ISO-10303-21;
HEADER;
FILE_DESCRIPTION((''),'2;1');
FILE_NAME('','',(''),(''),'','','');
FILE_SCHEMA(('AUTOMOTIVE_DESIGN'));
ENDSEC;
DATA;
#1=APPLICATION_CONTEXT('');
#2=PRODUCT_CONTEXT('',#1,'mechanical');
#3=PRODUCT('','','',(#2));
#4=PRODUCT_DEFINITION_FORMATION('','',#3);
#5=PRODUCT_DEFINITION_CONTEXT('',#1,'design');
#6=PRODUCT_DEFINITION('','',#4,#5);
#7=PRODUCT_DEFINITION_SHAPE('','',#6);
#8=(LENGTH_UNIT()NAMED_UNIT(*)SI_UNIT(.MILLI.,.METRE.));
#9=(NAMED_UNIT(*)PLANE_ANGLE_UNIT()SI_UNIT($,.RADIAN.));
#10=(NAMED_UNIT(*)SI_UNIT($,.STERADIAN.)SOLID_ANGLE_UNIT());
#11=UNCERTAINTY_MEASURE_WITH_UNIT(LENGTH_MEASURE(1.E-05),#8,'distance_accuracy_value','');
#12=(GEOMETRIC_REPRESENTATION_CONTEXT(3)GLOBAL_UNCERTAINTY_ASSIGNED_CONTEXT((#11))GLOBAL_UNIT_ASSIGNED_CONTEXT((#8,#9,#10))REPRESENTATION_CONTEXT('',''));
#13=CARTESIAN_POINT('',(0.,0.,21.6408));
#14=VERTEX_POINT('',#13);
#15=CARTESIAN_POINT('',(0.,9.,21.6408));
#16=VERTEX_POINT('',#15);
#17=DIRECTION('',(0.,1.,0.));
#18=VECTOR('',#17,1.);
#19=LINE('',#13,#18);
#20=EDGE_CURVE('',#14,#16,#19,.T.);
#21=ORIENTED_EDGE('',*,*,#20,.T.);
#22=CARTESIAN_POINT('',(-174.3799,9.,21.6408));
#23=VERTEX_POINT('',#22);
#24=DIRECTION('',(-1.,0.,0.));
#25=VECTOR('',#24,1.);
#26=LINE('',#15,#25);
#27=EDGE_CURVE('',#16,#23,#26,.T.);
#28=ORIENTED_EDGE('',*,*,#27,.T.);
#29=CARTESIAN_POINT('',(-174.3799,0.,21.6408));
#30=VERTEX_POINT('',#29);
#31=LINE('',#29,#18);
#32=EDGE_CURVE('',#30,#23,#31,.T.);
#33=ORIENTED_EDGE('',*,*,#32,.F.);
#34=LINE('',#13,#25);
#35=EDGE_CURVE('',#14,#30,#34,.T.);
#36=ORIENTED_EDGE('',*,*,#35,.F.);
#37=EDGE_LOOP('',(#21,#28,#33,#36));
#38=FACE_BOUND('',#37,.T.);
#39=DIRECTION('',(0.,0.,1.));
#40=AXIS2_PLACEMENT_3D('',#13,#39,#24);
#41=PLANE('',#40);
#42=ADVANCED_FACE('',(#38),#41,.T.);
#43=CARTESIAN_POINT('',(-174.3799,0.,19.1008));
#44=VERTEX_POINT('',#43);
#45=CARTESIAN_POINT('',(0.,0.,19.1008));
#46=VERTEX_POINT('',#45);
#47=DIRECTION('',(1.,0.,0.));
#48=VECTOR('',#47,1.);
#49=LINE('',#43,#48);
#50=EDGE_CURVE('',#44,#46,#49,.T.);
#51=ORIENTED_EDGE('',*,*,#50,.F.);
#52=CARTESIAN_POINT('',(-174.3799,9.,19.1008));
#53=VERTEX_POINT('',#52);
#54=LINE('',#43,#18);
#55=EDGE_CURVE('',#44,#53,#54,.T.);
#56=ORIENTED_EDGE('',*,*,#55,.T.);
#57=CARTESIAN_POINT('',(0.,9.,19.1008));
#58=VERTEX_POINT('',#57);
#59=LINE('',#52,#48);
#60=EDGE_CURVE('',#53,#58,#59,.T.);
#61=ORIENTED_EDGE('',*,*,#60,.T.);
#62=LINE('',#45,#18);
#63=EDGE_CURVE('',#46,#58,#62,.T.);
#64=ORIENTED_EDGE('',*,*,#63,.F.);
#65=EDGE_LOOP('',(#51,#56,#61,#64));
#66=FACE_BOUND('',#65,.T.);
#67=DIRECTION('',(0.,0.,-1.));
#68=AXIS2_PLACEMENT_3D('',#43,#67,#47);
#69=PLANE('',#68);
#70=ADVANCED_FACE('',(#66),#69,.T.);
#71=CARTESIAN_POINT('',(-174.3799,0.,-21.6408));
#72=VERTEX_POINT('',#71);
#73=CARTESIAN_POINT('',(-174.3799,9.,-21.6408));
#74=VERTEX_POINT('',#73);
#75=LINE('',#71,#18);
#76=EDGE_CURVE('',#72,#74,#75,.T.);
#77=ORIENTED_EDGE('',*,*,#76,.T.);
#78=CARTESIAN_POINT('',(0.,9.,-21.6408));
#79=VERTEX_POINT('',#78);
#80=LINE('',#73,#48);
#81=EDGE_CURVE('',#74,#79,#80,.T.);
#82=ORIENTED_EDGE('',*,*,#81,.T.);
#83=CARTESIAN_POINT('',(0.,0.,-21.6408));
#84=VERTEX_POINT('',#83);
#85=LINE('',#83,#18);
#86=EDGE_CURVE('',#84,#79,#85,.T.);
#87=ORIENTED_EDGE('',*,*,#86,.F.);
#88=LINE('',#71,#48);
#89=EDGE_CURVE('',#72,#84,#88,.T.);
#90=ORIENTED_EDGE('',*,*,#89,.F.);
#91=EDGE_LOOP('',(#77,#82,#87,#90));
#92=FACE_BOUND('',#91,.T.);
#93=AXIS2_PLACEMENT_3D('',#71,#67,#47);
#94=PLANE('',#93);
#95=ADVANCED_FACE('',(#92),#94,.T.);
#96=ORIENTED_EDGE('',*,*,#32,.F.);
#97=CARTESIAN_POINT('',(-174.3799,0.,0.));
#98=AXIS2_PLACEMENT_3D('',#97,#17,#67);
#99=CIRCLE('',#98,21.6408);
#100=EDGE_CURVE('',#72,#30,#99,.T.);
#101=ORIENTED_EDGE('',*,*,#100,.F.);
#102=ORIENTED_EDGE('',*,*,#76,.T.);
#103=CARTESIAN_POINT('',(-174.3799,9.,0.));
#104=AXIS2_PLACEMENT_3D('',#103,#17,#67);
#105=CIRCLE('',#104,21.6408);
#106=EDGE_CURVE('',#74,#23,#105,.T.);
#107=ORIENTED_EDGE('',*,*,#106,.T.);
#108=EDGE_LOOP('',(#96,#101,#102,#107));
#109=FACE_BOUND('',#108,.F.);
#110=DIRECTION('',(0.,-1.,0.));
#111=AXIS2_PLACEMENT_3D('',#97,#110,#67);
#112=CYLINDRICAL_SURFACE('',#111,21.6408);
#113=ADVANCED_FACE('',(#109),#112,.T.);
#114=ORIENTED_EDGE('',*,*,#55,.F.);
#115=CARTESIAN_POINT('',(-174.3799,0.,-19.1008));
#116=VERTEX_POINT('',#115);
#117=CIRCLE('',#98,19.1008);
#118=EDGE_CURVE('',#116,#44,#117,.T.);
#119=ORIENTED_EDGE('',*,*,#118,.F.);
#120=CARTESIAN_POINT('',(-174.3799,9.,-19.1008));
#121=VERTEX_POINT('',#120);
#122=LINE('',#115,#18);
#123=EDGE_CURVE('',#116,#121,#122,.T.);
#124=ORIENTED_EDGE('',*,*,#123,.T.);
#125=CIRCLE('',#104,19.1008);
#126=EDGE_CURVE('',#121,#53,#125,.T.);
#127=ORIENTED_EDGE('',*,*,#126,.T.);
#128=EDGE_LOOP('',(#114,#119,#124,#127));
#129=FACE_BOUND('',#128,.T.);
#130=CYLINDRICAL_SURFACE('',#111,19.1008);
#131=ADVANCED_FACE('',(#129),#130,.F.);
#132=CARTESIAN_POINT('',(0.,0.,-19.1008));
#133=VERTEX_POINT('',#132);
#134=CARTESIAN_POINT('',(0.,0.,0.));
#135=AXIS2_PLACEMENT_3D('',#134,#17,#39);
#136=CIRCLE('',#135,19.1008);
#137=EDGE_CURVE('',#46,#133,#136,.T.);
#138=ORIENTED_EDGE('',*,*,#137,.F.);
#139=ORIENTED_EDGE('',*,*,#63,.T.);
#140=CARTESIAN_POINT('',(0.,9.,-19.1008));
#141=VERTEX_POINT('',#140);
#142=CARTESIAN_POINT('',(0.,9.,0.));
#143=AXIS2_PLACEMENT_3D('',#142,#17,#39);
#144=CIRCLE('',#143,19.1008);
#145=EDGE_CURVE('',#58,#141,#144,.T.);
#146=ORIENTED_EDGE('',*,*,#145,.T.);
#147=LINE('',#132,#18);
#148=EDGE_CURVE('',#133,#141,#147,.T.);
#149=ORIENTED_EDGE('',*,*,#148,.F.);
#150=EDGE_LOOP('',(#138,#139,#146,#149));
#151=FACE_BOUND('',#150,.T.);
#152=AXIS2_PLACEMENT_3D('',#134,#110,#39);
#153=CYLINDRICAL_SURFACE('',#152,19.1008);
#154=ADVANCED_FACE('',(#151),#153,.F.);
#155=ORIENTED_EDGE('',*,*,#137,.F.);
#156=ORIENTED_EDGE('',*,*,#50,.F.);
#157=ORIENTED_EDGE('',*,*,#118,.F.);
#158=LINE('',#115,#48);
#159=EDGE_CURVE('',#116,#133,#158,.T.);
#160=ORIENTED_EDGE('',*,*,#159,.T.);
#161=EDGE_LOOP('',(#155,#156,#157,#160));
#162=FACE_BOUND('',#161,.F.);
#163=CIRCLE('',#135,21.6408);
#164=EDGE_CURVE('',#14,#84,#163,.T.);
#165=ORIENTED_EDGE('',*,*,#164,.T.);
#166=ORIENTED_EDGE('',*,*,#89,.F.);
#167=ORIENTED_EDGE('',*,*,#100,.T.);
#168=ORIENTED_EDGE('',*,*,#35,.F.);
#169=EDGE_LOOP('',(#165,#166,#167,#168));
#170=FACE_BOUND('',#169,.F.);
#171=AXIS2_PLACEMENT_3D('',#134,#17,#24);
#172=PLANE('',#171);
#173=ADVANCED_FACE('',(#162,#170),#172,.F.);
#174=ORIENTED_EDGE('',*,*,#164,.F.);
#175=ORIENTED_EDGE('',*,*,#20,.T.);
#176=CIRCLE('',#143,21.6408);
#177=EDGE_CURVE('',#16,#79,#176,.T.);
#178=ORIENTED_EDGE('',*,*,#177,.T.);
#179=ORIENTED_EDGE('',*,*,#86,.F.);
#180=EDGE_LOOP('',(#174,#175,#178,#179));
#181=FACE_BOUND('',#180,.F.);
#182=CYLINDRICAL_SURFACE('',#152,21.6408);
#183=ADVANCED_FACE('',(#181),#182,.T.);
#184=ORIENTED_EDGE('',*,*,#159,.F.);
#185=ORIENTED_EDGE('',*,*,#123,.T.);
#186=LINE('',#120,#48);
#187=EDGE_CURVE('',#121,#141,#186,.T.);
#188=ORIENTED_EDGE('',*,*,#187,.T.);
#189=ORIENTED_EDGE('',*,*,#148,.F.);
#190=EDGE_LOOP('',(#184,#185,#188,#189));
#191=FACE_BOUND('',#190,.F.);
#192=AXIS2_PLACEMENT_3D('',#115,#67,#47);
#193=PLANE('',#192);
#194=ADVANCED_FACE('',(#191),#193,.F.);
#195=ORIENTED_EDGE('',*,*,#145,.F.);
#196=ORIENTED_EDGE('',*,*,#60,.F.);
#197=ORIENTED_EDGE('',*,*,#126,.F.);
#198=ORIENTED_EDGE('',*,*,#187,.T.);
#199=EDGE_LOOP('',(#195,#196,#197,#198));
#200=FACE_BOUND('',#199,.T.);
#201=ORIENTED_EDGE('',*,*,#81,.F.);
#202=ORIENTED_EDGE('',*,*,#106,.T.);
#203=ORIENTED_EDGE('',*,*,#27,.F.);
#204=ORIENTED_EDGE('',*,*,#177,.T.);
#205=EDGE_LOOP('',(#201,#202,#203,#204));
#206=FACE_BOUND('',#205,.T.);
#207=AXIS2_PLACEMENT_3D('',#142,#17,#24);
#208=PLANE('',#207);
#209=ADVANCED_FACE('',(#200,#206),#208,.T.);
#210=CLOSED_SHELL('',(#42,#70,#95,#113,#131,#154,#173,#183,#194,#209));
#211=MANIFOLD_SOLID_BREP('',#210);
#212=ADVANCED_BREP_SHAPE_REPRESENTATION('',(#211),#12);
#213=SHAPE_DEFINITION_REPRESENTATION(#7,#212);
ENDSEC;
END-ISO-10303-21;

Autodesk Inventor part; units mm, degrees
ref_plane "YZ Plane" through (0, 0, 0) normal (1, 0, 0) x (0, 1, 0)
ref_plane "XZ Plane" through (0, 0, 0) normal (0, 1, 0) x (-1, 0, 0)
ref_plane "XY Plane" through (0, 0, 0) normal (0, 0, 1) x (1, 0, 0)
sketch "Sketch1" plane through (0, 0, 0) normal (0, 1, 0) x (-1, 0, 0)
  circle A0 centre (0, 0) radius 19.1008 construction
  line L0 (0, 0) -> (174.3799, 0) construction
  circle A1 centre (174.3799, 0) radius 19.1008 construction
  line L1 (174.3799, 19.1008) -> (0, 19.1008)
  line L2 (174.3799, -19.1008) -> (0, -19.1008)
  arc A2 (174.3799, -19.1008) -> (174.3799, 19.1008) centre (174.3799, 0) ccw
  arc A3 (0, 19.1008) -> (0, -19.1008) centre (0, 0) ccw
  line L3 (0, 21.6408) -> (174.3799, 21.6408)
  arc A4 (174.3799, -21.6408) -> (174.3799, 21.6408) centre (174.3799, 0) ccw
  line L4 (174.3799, -21.6408) -> (0, -21.6408)
  arc A5 (0, 21.6408) -> (0, -21.6408) centre (0, 0) ccw
  dimension "d0" = 38.2016
  dimension "d1" = 38.2016
  dimension "d2" = 174.3799
  dimension "d3" = 2.54
extrude "Extrusion1" add sketch "Sketch1" along normal blind 9
properties part number "SHOT_1_013_Belt2" material "Rubber, Silicone"
